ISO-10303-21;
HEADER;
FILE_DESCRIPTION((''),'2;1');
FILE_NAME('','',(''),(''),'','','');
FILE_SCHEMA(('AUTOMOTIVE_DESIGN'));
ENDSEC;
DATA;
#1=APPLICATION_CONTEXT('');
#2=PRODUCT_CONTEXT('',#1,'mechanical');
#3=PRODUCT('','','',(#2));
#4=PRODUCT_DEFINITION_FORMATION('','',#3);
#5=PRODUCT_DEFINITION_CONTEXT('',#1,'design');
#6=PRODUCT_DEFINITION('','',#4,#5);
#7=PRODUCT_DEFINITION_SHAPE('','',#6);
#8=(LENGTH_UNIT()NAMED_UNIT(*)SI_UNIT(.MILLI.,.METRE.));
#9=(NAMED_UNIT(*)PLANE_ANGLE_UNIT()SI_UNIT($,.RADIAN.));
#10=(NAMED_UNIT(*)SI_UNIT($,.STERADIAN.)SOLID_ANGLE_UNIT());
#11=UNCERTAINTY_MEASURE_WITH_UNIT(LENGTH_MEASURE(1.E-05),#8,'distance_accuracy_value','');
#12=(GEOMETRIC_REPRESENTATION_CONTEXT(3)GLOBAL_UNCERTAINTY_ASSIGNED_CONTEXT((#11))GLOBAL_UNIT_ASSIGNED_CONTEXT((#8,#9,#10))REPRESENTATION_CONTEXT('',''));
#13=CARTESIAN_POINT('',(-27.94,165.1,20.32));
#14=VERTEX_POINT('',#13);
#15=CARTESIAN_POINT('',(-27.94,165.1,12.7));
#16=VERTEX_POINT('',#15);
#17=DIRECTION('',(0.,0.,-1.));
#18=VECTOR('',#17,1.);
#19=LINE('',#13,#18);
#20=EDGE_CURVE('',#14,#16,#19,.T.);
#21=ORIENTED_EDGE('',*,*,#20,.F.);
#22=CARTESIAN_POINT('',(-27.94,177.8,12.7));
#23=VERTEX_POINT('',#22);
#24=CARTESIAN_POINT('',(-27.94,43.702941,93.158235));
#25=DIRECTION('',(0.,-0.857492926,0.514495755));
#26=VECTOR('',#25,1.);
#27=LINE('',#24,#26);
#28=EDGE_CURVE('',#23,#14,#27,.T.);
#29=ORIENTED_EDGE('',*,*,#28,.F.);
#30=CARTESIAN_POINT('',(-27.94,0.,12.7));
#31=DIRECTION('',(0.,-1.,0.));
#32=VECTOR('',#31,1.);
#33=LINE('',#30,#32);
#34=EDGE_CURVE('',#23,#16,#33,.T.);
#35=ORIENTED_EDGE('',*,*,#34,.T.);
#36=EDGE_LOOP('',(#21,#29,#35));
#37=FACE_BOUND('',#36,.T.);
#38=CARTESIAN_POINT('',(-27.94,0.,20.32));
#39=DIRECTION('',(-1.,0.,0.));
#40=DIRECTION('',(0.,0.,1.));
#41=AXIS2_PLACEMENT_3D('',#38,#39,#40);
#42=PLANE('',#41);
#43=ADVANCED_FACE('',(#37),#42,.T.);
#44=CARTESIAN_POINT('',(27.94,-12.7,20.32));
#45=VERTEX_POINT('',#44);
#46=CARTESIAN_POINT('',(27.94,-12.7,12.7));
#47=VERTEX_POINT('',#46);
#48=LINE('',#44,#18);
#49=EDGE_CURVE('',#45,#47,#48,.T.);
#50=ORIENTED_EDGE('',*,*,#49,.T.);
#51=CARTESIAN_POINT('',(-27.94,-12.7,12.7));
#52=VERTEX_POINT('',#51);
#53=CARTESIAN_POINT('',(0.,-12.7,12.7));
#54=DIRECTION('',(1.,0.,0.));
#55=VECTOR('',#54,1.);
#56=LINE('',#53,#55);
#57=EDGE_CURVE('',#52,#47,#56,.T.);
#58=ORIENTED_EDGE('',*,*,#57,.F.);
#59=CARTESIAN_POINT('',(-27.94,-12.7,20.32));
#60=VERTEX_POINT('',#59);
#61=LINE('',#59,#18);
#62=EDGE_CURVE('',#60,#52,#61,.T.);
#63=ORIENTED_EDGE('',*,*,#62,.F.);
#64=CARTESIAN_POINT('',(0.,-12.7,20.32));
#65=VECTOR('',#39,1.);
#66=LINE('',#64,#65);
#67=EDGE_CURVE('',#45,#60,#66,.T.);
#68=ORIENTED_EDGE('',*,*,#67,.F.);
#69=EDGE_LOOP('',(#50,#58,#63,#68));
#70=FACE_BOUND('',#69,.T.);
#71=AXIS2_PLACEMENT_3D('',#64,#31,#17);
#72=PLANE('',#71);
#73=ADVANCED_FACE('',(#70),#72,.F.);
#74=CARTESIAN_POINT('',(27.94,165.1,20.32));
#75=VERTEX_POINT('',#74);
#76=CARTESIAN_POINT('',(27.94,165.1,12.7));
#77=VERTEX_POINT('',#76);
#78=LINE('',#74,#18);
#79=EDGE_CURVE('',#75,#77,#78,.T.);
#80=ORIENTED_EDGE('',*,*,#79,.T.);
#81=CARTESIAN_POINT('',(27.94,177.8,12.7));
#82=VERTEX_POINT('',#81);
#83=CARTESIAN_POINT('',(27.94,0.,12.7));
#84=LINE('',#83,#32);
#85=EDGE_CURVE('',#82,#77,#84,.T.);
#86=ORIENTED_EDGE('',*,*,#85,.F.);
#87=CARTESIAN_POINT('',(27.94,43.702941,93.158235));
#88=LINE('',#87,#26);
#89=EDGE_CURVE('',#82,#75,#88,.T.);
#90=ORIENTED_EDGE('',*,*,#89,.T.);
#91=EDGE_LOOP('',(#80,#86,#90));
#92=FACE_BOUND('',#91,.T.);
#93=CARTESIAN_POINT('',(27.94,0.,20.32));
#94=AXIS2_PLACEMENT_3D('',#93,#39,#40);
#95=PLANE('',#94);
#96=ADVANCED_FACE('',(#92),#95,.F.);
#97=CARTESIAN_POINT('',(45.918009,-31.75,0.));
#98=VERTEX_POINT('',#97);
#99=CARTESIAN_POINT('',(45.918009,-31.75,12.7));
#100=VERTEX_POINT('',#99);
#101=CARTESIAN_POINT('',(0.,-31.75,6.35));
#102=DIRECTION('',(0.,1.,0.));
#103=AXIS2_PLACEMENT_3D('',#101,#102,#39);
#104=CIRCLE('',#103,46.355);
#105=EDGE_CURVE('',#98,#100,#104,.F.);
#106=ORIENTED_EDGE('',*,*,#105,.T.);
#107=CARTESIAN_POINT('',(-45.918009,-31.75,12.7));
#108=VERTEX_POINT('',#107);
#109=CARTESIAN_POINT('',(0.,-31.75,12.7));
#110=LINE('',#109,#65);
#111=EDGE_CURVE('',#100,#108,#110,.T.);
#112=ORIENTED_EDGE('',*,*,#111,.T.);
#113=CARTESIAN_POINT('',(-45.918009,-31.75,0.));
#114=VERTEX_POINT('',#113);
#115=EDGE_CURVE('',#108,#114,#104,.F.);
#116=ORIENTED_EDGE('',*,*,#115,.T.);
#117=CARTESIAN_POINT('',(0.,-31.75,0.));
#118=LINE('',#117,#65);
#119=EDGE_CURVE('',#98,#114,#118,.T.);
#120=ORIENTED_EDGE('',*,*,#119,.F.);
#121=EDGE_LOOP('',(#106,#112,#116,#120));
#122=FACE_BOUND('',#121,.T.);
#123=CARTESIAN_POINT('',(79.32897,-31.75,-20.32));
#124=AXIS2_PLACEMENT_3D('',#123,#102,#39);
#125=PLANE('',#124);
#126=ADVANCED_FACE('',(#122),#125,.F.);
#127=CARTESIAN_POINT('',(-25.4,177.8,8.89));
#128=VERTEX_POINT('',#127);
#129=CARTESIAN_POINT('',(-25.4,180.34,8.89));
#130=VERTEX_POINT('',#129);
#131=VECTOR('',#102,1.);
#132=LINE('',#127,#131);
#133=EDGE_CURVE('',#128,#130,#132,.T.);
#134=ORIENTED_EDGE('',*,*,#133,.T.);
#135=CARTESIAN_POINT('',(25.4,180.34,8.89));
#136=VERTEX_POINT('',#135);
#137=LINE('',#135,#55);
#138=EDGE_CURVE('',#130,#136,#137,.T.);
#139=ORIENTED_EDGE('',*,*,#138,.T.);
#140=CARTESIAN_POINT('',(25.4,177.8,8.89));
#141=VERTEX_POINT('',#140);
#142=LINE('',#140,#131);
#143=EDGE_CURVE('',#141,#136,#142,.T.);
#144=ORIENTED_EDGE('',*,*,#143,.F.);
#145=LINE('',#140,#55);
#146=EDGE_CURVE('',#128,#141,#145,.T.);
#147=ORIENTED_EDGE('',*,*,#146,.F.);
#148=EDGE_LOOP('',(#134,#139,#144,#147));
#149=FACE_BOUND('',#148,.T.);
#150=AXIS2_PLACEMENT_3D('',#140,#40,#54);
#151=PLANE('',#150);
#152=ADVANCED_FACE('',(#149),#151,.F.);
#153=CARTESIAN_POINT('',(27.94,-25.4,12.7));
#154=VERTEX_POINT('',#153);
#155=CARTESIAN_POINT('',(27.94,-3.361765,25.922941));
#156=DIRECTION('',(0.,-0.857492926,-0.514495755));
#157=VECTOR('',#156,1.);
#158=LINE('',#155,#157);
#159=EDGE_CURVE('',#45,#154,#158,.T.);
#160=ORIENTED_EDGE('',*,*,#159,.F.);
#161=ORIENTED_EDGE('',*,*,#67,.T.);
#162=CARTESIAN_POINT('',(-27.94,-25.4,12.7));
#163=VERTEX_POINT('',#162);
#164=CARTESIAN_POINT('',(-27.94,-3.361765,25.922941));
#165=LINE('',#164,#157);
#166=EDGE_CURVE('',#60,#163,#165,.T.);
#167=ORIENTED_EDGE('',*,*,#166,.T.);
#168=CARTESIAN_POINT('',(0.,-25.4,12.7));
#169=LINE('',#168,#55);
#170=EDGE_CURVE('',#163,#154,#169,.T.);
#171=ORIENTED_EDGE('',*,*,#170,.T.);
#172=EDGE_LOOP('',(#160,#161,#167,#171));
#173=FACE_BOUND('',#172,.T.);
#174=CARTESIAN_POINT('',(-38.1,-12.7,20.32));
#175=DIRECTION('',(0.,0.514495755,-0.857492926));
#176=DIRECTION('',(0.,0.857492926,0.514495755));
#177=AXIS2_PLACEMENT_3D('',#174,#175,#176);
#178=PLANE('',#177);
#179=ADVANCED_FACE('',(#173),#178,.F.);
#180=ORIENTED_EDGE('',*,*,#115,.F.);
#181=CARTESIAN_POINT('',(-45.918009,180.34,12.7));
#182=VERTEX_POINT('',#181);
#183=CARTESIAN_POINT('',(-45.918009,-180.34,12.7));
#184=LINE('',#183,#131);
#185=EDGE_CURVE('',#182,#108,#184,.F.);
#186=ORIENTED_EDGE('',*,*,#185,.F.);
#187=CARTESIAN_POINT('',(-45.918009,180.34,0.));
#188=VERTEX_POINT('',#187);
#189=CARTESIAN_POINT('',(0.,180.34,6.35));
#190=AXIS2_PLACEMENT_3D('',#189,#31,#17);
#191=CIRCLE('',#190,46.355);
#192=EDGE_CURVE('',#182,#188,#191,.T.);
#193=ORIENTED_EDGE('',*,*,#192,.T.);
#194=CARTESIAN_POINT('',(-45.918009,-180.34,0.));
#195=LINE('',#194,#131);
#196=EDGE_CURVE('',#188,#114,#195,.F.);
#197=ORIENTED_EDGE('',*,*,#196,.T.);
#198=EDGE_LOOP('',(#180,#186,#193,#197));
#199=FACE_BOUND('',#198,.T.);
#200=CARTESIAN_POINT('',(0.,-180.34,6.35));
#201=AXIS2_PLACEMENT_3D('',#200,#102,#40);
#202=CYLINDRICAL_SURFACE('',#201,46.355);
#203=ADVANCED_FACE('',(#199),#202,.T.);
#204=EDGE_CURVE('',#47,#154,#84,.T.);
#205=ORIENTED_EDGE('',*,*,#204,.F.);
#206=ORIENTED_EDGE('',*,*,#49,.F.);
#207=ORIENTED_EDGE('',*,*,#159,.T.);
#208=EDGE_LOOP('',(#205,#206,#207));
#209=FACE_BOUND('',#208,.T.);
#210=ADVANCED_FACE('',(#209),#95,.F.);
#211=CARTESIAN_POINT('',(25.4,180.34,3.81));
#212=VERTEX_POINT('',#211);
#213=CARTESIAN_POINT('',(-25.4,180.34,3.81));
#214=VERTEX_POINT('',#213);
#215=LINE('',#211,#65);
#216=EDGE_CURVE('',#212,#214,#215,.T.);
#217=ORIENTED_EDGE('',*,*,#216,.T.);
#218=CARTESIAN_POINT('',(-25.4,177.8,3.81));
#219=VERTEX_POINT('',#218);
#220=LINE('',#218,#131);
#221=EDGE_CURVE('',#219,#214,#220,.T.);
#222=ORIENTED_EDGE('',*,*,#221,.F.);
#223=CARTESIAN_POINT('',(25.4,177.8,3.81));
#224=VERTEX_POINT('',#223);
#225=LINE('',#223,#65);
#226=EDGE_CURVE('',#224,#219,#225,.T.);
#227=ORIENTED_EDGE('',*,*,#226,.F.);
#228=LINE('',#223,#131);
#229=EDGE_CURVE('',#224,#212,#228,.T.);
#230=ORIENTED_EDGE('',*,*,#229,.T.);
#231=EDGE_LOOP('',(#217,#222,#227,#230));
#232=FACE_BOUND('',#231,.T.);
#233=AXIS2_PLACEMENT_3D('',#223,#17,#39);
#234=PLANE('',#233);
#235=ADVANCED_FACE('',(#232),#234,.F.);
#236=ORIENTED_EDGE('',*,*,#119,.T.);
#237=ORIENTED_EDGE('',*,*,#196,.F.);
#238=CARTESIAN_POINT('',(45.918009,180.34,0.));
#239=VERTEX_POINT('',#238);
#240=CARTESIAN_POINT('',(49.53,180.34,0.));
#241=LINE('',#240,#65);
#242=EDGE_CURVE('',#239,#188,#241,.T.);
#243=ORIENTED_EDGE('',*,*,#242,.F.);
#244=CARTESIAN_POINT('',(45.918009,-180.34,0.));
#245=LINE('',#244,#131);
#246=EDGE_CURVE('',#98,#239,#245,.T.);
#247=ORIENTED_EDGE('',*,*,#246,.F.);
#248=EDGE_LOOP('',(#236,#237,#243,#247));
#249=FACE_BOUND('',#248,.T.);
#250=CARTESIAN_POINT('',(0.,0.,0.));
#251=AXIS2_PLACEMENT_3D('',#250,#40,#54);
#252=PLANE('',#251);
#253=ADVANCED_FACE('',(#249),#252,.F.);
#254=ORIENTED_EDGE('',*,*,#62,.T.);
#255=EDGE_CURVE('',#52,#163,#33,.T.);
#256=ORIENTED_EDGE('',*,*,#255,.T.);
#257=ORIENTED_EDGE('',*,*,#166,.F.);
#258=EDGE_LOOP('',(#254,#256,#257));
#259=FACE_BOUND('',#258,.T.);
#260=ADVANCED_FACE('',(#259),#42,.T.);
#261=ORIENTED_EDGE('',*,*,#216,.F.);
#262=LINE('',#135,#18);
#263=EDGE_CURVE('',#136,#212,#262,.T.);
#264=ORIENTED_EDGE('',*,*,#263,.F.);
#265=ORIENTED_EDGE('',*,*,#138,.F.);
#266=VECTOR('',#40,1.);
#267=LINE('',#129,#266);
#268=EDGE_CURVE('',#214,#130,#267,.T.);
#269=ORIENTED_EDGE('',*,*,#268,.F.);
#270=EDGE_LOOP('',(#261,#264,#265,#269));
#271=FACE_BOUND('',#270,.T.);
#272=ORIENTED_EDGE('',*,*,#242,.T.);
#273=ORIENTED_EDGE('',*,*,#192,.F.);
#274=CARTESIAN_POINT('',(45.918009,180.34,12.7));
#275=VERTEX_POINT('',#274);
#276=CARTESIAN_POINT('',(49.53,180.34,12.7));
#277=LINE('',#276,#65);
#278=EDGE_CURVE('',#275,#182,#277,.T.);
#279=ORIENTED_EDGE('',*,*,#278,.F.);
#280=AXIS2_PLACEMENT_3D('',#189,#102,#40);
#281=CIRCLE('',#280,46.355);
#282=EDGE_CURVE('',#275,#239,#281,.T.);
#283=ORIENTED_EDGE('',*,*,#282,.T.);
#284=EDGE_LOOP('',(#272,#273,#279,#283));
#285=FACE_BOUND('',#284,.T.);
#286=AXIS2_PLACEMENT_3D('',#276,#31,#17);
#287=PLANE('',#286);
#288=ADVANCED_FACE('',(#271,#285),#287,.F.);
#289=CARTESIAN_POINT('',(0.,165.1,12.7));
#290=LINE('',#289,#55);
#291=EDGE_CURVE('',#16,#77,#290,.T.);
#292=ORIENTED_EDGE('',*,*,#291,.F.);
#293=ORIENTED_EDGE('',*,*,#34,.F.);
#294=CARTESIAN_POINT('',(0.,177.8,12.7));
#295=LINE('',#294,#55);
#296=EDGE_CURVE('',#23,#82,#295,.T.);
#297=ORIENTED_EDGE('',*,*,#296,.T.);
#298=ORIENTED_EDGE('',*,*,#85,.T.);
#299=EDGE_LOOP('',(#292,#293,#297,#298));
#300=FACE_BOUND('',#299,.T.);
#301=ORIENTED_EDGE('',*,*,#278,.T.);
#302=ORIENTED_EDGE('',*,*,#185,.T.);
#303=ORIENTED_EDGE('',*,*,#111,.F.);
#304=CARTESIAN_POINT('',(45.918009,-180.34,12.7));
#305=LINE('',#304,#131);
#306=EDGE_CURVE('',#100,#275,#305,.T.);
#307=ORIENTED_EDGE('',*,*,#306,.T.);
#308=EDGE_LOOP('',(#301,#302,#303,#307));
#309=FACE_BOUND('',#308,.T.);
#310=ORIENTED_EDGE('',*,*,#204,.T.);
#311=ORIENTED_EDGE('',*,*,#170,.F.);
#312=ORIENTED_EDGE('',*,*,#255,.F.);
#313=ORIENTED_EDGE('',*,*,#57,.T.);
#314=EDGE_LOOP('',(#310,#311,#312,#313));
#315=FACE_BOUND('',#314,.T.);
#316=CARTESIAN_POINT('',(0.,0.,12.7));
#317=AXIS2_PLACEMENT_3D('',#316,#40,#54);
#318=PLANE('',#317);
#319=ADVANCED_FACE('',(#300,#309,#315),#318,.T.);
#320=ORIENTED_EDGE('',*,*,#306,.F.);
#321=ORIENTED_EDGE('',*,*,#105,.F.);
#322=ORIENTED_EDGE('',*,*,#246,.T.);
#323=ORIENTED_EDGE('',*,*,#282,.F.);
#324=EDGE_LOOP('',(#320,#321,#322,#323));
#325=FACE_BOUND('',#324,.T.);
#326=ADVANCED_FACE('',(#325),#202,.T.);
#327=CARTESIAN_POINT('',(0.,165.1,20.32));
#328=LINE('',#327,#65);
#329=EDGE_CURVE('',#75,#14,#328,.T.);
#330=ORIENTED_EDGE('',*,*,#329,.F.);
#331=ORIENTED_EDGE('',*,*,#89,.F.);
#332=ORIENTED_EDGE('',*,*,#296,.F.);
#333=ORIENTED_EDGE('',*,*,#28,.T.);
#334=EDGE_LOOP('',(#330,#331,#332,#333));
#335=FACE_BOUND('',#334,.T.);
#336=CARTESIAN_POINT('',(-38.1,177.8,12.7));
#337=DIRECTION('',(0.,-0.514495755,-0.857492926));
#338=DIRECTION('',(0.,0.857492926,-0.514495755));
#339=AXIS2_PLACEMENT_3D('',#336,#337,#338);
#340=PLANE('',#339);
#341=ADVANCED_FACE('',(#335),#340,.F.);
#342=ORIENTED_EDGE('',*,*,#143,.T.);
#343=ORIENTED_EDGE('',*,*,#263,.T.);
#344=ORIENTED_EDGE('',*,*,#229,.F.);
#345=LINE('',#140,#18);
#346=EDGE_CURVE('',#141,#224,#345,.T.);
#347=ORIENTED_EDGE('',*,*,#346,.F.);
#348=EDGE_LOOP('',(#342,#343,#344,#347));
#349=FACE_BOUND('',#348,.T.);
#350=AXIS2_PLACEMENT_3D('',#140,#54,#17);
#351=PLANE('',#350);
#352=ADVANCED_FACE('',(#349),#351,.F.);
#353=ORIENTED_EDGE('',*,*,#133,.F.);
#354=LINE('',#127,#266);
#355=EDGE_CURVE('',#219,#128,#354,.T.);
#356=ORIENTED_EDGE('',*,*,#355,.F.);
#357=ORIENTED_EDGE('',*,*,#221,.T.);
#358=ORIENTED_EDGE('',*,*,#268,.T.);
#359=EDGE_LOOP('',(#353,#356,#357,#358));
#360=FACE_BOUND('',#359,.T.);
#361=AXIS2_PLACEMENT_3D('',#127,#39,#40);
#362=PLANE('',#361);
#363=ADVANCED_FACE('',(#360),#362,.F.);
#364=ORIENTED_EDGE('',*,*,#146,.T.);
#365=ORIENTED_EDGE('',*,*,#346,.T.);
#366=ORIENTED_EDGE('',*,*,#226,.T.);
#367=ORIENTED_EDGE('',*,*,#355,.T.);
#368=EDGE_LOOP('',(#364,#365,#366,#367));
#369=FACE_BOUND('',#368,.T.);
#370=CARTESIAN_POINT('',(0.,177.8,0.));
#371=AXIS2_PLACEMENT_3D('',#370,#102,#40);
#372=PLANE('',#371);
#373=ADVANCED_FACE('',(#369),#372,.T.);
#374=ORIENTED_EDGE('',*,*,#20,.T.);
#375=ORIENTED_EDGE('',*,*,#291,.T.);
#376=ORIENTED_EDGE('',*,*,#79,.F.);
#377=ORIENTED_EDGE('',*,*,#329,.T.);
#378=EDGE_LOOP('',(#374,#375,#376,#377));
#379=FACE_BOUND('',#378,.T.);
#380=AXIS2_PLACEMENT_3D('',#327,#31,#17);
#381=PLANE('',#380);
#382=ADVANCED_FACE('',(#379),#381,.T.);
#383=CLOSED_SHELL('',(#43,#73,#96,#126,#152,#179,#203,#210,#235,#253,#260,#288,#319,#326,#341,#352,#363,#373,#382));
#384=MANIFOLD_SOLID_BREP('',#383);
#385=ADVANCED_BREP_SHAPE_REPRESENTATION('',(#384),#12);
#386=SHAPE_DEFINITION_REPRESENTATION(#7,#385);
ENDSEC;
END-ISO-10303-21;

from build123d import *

# Parameters (mm, degrees)
SKETCH1_W               = 99.06
SKETCH1_H               = 360.68
BOSS_EXTRUDE1_DEPTH     = 12.7
SKETCH3_W               = 32.004
SKETCH3_H               = 11.43
BOSS_EXTRUDE3_DEPTH     = 20.32
SKETCH2_W               = 55.88
SKETCH2_H               = 12.7
BOSS_EXTRUDE4_DEPTH     = 7.62
CUT_EXTRUDE2_DEPTH      = 38.1
SKETCH6_W               = 50.8
SKETCH6_H               = 5.08
CUT_EXTRUDE3_DEPTH      = 2.54
SKETCH7_R               = 50.8
SKETCH7_R_2             = 46.355
CUT_EXTRUDE4_DEPTH      = 366.559302576
CUT_EXTRUDE5_DEPTH      = 190.107435139
CUT_EXTRUDE5_DEPTH_BACK = 190.107435139
SKETCH8_W               = 158.320369358
SKETCH8_H               = 163.138922325


with BuildPart() as part:
    # Sketch1 → Boss-Extrude1 (new body)
    with BuildSketch(Plane.XY):
        Rectangle(SKETCH1_W, SKETCH1_H)
    extrude(amount=BOSS_EXTRUDE1_DEPTH)

    # Sketch3 → Boss-Extrude3 (add)
    with BuildSketch(Plane(origin=(0, 0, 0), x_dir=(-1, 0, 0), z_dir=(0, 0, -1))):
        with Locations((0, -43.815)):
            Rectangle(SKETCH3_W, SKETCH3_H)
        with Locations((0, -159.385)):
            Rectangle(SKETCH3_W, SKETCH3_H)
    boss_extrude3 = extrude(amount=BOSS_EXTRUDE3_DEPTH)

    # Sketch2 → Boss-Extrude4 (add, symmetric)
    with BuildSketch(Plane.XY.offset(12.7)):
        with Locations((0, 171.45)):
            Rectangle(SKETCH2_W, SKETCH2_H)
        with Locations((0, -19.05)):
            Rectangle(SKETCH2_W, SKETCH2_H)
    extrude(amount=BOSS_EXTRUDE4_DEPTH, both=True)

    # Mirror1: Boss-Extrude3 across plane
    add(boss_extrude3.mirror(Plane.XY.offset(6.35)))

    # Sketch5 → Cut-Extrude2 (cut, symmetric)
    with BuildSketch(Plane(origin=(0, 0, 0), x_dir=(0, 0, -1), z_dir=(1, 0, 0))):
        Polygon((20.32, -153.67), (0, -165.1), (20.32, -165.1), align=None)
        Polygon((-33.02, -153.67), (-12.7, -165.1), (-33.02, -165.1), align=None)
        Polygon((-33.02, -49.53), (-33.02, -38.1), (-12.7, -38.1), align=None)
        Polygon((20.32, -49.53), (0, -38.1), (20.32, -38.1), align=None)
        Polygon((-12.7, 177.8), (-20.32, 165.1), (-20.32, 177.8), align=None)
        Polygon((-20.32, -12.7), (-12.7, -25.4), (-20.32, -25.4), align=None)
    extrude(amount=CUT_EXTRUDE2_DEPTH, both=True, mode=Mode.SUBTRACT)

    # Sketch6 → Cut-Extrude3 (cut)
    with BuildSketch(Plane(origin=(0, 180.34, 0), x_dir=(1, 0, 0), z_dir=(0, 1, 0))):
        with Locations((0, -6.35)):
            Rectangle(SKETCH6_W, SKETCH6_H)
    cut_extrude3 = extrude(amount=-CUT_EXTRUDE3_DEPTH, mode=Mode.SUBTRACT)

    # Mirror2: Cut-Extrude3 across plane
    add(cut_extrude3.mirror(Plane.ZX), mode=Mode.SUBTRACT)

    # Sketch7 → Cut-Extrude4 (cut, through all)
    with BuildSketch(Plane(origin=(0, 180.34, 0), x_dir=(1, 0, 0), z_dir=(0, 1, 0))):
        with Locations((0, -6.35)):
            Circle(SKETCH7_R)
        with Locations((0, -6.35)):
            Circle(SKETCH7_R_2, mode=Mode.SUBTRACT)
    extrude(amount=-CUT_EXTRUDE4_DEPTH, mode=Mode.SUBTRACT)

    # Sketch8 → Cut-Extrude5 (cut, two sides: drawn at the far end of the back side and taken through both)
    with BuildSketch(Plane.XY.offset(-CUT_EXTRUDE5_DEPTH_BACK)):
        with Locations((0.168785042, -113.319461163)):
            Rectangle(SKETCH8_W, SKETCH8_H)
    extrude(amount=CUT_EXTRUDE5_DEPTH + CUT_EXTRUDE5_DEPTH_BACK, mode=Mode.SUBTRACT)


solid = part.part
